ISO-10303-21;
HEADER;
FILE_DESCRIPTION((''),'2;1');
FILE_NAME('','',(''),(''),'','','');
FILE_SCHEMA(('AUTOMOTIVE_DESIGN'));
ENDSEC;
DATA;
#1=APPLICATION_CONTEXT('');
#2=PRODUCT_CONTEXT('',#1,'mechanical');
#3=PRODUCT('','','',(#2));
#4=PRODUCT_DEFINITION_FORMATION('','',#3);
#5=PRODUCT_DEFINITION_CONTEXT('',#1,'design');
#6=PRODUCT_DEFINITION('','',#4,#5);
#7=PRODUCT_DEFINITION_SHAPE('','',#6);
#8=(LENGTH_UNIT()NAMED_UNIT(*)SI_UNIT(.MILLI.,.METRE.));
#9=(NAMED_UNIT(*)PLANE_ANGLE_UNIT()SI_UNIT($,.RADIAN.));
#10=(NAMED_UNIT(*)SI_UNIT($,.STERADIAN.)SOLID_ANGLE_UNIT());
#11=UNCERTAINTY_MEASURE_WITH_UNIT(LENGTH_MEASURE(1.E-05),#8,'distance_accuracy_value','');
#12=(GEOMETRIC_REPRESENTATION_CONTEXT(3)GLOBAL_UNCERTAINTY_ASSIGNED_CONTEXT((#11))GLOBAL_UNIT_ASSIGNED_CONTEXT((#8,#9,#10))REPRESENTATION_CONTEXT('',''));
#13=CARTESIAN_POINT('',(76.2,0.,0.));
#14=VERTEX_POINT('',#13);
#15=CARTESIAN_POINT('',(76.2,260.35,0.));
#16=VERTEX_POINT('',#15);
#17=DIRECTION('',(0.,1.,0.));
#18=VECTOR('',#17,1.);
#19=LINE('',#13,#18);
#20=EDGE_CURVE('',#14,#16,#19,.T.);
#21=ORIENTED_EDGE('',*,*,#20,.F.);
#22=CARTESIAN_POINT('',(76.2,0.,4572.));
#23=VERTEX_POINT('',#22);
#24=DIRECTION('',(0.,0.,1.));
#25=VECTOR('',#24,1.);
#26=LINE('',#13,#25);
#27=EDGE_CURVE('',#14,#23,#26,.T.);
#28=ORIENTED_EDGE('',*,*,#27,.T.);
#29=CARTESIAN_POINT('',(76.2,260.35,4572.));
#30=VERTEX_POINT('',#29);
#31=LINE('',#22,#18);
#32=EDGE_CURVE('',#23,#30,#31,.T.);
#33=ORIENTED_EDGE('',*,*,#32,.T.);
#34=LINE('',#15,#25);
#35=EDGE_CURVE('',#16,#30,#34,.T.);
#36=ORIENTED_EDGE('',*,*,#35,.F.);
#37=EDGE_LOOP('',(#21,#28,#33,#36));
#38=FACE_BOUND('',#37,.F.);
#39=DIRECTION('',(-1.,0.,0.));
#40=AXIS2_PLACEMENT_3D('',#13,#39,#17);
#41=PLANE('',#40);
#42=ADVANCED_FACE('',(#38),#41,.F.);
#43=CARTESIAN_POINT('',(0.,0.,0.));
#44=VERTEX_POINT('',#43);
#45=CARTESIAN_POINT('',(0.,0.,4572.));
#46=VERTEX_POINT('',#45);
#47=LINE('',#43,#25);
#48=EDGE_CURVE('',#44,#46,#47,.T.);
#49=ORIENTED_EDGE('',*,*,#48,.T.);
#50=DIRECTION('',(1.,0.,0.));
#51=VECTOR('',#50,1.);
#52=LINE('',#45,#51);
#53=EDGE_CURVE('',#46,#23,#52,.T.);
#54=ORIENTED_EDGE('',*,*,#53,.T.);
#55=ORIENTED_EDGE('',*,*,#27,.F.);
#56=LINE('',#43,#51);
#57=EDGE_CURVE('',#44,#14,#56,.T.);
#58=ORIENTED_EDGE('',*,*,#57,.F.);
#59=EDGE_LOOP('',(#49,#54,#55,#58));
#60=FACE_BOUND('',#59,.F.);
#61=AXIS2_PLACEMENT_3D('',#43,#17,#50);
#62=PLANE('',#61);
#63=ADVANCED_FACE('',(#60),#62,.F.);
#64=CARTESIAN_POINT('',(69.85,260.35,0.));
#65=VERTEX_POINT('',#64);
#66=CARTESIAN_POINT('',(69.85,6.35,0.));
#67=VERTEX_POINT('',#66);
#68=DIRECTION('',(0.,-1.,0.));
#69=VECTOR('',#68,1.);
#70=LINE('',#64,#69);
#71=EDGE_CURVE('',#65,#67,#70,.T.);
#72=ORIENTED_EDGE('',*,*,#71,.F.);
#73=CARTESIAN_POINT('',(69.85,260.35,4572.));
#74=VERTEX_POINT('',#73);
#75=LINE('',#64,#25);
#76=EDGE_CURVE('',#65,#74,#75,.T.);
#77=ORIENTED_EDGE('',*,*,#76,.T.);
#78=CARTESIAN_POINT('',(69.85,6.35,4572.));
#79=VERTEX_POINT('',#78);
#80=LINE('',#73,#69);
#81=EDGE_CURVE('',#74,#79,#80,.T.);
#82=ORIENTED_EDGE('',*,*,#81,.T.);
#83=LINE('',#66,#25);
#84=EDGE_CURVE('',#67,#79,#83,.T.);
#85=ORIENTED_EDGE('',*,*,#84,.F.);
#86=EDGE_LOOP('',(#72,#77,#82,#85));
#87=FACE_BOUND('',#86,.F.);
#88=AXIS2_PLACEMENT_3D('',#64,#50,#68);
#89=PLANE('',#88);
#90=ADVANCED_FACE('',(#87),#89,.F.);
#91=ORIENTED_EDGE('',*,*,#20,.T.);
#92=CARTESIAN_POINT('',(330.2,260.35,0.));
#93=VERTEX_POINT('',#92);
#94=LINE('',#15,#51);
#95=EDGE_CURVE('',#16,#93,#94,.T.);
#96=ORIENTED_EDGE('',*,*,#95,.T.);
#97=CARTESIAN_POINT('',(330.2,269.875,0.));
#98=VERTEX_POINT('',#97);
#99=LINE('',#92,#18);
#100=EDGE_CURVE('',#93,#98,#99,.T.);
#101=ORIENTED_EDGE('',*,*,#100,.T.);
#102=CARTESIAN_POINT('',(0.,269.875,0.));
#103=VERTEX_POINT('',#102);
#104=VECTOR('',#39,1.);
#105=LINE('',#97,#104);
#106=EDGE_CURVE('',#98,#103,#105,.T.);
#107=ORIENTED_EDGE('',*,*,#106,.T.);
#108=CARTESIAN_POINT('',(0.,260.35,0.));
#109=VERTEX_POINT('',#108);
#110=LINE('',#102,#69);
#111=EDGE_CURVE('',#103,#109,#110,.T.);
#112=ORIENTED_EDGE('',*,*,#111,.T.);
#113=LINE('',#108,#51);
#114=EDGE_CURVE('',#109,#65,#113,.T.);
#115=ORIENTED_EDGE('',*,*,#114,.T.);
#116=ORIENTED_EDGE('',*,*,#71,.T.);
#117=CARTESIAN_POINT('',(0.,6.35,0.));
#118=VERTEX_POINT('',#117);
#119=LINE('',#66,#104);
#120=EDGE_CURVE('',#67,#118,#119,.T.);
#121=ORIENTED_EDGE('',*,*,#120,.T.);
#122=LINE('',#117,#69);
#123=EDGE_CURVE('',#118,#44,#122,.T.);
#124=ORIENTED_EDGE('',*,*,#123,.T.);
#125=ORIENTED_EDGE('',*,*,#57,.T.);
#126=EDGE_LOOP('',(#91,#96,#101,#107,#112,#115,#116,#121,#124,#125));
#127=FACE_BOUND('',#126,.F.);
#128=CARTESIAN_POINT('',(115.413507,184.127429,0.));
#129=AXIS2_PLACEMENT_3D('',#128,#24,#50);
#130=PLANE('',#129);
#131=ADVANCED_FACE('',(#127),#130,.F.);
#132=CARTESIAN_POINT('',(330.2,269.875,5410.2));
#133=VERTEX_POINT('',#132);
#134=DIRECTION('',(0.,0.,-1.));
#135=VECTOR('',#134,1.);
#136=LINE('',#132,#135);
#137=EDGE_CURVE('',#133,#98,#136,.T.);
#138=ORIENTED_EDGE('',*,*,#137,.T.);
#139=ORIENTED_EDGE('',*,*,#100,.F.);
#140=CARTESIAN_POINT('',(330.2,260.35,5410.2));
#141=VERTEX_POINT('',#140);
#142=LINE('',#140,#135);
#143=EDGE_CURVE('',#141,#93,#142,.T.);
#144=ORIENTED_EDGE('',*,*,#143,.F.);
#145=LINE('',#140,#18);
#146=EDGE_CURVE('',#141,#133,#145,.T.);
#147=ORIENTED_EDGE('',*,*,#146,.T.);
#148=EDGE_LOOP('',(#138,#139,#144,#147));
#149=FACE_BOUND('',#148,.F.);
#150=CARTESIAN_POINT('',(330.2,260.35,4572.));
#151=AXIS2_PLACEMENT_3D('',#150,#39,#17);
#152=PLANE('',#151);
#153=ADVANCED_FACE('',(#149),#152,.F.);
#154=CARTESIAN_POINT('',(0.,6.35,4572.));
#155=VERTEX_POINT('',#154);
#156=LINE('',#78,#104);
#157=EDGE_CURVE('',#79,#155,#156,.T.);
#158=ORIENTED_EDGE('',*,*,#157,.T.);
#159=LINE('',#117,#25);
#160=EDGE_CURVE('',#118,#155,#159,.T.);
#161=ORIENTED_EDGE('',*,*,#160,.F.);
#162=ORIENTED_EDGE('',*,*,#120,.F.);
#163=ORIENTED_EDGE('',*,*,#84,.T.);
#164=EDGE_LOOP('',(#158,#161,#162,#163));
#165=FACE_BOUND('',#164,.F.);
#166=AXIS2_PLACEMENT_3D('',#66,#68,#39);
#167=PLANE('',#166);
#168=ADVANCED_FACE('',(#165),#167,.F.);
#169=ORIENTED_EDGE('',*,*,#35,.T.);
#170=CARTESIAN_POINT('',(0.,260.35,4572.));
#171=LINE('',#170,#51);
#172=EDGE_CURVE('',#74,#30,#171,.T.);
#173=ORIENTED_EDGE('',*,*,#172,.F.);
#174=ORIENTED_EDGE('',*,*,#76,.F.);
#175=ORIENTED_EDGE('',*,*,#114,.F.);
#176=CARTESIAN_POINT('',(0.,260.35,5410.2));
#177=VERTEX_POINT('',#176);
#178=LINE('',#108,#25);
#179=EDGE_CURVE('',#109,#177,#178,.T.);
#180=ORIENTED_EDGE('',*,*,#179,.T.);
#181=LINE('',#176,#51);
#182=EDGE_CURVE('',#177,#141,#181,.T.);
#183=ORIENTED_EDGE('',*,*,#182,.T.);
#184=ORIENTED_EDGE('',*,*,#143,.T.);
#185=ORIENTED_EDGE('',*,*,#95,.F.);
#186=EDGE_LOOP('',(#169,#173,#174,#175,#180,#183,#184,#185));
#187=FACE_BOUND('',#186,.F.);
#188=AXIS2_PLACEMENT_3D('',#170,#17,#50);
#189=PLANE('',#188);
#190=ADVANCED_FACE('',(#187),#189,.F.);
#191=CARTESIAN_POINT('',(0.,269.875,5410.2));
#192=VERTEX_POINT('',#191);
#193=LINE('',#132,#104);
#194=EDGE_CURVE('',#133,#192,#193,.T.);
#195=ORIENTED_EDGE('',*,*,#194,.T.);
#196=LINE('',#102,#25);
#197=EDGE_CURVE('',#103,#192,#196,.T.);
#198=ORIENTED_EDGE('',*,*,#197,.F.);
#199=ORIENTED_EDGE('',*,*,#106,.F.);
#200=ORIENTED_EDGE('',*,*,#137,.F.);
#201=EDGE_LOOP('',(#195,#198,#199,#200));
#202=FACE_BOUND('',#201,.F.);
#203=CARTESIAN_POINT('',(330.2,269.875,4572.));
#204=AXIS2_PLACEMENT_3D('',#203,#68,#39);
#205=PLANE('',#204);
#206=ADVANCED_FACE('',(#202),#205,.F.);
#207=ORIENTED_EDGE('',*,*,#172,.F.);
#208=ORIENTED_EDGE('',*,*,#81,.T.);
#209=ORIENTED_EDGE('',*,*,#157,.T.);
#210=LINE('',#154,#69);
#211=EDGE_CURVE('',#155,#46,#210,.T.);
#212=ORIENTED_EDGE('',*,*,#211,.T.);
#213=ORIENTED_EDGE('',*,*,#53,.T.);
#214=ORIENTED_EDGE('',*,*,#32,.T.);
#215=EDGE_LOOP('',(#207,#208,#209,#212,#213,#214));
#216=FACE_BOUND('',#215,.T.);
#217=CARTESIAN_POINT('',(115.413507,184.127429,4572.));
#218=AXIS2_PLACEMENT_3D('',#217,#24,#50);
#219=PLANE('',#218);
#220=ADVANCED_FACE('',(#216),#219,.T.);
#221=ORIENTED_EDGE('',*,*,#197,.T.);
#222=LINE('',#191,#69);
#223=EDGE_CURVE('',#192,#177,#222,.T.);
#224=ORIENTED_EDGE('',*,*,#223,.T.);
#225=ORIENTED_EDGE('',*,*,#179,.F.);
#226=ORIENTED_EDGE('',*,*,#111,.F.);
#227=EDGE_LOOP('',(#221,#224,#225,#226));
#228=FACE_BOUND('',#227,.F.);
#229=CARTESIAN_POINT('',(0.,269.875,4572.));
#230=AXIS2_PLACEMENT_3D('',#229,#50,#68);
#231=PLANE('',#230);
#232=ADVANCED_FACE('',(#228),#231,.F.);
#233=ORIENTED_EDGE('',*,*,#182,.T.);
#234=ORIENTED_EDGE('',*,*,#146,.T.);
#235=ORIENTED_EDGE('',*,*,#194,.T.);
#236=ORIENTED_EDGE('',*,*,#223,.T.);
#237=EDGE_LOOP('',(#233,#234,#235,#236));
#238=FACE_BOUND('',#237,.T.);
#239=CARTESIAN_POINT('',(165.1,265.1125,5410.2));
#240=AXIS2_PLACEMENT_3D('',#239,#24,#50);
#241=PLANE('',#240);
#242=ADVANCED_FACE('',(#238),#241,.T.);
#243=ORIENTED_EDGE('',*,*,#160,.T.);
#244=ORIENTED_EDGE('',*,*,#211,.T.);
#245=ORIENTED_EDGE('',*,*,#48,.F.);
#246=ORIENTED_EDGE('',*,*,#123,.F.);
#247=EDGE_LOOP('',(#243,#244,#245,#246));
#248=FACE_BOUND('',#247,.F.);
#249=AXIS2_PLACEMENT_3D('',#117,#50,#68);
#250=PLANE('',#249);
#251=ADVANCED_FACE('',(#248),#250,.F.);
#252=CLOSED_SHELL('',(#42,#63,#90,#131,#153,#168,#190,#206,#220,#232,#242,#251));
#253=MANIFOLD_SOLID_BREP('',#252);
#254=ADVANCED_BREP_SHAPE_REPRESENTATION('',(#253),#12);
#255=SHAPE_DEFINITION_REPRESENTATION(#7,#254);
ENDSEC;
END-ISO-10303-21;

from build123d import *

# Parameters (mm, degrees)
F1_DEPTH = 4572
F3_DEPTH = 838.2


with BuildPart() as f1:
    # F0 (on Top) → F1 (new body)
    with BuildSketch(Plane.XY):
        Polygon((0, 6.35), (0, 0), (76.2, 0), (76.2, 260.35), (330.2, 260.35), (330.2, 269.875), (0, 269.875), (0, 260.35), (69.85, 260.35), (69.85, 6.35), align=None)
    extrude(amount=F1_DEPTH)

    # F2 (on face) → F3 (join)
    with BuildSketch(Plane.XY.offset(4572)):
        Polygon((330.2, 269.875), (0, 269.875), (0, 260.35), (69.85, 260.35), (76.2, 260.35), (330.2, 260.35), align=None)
    extrude(amount=F3_DEPTH)


solid = f1.part
